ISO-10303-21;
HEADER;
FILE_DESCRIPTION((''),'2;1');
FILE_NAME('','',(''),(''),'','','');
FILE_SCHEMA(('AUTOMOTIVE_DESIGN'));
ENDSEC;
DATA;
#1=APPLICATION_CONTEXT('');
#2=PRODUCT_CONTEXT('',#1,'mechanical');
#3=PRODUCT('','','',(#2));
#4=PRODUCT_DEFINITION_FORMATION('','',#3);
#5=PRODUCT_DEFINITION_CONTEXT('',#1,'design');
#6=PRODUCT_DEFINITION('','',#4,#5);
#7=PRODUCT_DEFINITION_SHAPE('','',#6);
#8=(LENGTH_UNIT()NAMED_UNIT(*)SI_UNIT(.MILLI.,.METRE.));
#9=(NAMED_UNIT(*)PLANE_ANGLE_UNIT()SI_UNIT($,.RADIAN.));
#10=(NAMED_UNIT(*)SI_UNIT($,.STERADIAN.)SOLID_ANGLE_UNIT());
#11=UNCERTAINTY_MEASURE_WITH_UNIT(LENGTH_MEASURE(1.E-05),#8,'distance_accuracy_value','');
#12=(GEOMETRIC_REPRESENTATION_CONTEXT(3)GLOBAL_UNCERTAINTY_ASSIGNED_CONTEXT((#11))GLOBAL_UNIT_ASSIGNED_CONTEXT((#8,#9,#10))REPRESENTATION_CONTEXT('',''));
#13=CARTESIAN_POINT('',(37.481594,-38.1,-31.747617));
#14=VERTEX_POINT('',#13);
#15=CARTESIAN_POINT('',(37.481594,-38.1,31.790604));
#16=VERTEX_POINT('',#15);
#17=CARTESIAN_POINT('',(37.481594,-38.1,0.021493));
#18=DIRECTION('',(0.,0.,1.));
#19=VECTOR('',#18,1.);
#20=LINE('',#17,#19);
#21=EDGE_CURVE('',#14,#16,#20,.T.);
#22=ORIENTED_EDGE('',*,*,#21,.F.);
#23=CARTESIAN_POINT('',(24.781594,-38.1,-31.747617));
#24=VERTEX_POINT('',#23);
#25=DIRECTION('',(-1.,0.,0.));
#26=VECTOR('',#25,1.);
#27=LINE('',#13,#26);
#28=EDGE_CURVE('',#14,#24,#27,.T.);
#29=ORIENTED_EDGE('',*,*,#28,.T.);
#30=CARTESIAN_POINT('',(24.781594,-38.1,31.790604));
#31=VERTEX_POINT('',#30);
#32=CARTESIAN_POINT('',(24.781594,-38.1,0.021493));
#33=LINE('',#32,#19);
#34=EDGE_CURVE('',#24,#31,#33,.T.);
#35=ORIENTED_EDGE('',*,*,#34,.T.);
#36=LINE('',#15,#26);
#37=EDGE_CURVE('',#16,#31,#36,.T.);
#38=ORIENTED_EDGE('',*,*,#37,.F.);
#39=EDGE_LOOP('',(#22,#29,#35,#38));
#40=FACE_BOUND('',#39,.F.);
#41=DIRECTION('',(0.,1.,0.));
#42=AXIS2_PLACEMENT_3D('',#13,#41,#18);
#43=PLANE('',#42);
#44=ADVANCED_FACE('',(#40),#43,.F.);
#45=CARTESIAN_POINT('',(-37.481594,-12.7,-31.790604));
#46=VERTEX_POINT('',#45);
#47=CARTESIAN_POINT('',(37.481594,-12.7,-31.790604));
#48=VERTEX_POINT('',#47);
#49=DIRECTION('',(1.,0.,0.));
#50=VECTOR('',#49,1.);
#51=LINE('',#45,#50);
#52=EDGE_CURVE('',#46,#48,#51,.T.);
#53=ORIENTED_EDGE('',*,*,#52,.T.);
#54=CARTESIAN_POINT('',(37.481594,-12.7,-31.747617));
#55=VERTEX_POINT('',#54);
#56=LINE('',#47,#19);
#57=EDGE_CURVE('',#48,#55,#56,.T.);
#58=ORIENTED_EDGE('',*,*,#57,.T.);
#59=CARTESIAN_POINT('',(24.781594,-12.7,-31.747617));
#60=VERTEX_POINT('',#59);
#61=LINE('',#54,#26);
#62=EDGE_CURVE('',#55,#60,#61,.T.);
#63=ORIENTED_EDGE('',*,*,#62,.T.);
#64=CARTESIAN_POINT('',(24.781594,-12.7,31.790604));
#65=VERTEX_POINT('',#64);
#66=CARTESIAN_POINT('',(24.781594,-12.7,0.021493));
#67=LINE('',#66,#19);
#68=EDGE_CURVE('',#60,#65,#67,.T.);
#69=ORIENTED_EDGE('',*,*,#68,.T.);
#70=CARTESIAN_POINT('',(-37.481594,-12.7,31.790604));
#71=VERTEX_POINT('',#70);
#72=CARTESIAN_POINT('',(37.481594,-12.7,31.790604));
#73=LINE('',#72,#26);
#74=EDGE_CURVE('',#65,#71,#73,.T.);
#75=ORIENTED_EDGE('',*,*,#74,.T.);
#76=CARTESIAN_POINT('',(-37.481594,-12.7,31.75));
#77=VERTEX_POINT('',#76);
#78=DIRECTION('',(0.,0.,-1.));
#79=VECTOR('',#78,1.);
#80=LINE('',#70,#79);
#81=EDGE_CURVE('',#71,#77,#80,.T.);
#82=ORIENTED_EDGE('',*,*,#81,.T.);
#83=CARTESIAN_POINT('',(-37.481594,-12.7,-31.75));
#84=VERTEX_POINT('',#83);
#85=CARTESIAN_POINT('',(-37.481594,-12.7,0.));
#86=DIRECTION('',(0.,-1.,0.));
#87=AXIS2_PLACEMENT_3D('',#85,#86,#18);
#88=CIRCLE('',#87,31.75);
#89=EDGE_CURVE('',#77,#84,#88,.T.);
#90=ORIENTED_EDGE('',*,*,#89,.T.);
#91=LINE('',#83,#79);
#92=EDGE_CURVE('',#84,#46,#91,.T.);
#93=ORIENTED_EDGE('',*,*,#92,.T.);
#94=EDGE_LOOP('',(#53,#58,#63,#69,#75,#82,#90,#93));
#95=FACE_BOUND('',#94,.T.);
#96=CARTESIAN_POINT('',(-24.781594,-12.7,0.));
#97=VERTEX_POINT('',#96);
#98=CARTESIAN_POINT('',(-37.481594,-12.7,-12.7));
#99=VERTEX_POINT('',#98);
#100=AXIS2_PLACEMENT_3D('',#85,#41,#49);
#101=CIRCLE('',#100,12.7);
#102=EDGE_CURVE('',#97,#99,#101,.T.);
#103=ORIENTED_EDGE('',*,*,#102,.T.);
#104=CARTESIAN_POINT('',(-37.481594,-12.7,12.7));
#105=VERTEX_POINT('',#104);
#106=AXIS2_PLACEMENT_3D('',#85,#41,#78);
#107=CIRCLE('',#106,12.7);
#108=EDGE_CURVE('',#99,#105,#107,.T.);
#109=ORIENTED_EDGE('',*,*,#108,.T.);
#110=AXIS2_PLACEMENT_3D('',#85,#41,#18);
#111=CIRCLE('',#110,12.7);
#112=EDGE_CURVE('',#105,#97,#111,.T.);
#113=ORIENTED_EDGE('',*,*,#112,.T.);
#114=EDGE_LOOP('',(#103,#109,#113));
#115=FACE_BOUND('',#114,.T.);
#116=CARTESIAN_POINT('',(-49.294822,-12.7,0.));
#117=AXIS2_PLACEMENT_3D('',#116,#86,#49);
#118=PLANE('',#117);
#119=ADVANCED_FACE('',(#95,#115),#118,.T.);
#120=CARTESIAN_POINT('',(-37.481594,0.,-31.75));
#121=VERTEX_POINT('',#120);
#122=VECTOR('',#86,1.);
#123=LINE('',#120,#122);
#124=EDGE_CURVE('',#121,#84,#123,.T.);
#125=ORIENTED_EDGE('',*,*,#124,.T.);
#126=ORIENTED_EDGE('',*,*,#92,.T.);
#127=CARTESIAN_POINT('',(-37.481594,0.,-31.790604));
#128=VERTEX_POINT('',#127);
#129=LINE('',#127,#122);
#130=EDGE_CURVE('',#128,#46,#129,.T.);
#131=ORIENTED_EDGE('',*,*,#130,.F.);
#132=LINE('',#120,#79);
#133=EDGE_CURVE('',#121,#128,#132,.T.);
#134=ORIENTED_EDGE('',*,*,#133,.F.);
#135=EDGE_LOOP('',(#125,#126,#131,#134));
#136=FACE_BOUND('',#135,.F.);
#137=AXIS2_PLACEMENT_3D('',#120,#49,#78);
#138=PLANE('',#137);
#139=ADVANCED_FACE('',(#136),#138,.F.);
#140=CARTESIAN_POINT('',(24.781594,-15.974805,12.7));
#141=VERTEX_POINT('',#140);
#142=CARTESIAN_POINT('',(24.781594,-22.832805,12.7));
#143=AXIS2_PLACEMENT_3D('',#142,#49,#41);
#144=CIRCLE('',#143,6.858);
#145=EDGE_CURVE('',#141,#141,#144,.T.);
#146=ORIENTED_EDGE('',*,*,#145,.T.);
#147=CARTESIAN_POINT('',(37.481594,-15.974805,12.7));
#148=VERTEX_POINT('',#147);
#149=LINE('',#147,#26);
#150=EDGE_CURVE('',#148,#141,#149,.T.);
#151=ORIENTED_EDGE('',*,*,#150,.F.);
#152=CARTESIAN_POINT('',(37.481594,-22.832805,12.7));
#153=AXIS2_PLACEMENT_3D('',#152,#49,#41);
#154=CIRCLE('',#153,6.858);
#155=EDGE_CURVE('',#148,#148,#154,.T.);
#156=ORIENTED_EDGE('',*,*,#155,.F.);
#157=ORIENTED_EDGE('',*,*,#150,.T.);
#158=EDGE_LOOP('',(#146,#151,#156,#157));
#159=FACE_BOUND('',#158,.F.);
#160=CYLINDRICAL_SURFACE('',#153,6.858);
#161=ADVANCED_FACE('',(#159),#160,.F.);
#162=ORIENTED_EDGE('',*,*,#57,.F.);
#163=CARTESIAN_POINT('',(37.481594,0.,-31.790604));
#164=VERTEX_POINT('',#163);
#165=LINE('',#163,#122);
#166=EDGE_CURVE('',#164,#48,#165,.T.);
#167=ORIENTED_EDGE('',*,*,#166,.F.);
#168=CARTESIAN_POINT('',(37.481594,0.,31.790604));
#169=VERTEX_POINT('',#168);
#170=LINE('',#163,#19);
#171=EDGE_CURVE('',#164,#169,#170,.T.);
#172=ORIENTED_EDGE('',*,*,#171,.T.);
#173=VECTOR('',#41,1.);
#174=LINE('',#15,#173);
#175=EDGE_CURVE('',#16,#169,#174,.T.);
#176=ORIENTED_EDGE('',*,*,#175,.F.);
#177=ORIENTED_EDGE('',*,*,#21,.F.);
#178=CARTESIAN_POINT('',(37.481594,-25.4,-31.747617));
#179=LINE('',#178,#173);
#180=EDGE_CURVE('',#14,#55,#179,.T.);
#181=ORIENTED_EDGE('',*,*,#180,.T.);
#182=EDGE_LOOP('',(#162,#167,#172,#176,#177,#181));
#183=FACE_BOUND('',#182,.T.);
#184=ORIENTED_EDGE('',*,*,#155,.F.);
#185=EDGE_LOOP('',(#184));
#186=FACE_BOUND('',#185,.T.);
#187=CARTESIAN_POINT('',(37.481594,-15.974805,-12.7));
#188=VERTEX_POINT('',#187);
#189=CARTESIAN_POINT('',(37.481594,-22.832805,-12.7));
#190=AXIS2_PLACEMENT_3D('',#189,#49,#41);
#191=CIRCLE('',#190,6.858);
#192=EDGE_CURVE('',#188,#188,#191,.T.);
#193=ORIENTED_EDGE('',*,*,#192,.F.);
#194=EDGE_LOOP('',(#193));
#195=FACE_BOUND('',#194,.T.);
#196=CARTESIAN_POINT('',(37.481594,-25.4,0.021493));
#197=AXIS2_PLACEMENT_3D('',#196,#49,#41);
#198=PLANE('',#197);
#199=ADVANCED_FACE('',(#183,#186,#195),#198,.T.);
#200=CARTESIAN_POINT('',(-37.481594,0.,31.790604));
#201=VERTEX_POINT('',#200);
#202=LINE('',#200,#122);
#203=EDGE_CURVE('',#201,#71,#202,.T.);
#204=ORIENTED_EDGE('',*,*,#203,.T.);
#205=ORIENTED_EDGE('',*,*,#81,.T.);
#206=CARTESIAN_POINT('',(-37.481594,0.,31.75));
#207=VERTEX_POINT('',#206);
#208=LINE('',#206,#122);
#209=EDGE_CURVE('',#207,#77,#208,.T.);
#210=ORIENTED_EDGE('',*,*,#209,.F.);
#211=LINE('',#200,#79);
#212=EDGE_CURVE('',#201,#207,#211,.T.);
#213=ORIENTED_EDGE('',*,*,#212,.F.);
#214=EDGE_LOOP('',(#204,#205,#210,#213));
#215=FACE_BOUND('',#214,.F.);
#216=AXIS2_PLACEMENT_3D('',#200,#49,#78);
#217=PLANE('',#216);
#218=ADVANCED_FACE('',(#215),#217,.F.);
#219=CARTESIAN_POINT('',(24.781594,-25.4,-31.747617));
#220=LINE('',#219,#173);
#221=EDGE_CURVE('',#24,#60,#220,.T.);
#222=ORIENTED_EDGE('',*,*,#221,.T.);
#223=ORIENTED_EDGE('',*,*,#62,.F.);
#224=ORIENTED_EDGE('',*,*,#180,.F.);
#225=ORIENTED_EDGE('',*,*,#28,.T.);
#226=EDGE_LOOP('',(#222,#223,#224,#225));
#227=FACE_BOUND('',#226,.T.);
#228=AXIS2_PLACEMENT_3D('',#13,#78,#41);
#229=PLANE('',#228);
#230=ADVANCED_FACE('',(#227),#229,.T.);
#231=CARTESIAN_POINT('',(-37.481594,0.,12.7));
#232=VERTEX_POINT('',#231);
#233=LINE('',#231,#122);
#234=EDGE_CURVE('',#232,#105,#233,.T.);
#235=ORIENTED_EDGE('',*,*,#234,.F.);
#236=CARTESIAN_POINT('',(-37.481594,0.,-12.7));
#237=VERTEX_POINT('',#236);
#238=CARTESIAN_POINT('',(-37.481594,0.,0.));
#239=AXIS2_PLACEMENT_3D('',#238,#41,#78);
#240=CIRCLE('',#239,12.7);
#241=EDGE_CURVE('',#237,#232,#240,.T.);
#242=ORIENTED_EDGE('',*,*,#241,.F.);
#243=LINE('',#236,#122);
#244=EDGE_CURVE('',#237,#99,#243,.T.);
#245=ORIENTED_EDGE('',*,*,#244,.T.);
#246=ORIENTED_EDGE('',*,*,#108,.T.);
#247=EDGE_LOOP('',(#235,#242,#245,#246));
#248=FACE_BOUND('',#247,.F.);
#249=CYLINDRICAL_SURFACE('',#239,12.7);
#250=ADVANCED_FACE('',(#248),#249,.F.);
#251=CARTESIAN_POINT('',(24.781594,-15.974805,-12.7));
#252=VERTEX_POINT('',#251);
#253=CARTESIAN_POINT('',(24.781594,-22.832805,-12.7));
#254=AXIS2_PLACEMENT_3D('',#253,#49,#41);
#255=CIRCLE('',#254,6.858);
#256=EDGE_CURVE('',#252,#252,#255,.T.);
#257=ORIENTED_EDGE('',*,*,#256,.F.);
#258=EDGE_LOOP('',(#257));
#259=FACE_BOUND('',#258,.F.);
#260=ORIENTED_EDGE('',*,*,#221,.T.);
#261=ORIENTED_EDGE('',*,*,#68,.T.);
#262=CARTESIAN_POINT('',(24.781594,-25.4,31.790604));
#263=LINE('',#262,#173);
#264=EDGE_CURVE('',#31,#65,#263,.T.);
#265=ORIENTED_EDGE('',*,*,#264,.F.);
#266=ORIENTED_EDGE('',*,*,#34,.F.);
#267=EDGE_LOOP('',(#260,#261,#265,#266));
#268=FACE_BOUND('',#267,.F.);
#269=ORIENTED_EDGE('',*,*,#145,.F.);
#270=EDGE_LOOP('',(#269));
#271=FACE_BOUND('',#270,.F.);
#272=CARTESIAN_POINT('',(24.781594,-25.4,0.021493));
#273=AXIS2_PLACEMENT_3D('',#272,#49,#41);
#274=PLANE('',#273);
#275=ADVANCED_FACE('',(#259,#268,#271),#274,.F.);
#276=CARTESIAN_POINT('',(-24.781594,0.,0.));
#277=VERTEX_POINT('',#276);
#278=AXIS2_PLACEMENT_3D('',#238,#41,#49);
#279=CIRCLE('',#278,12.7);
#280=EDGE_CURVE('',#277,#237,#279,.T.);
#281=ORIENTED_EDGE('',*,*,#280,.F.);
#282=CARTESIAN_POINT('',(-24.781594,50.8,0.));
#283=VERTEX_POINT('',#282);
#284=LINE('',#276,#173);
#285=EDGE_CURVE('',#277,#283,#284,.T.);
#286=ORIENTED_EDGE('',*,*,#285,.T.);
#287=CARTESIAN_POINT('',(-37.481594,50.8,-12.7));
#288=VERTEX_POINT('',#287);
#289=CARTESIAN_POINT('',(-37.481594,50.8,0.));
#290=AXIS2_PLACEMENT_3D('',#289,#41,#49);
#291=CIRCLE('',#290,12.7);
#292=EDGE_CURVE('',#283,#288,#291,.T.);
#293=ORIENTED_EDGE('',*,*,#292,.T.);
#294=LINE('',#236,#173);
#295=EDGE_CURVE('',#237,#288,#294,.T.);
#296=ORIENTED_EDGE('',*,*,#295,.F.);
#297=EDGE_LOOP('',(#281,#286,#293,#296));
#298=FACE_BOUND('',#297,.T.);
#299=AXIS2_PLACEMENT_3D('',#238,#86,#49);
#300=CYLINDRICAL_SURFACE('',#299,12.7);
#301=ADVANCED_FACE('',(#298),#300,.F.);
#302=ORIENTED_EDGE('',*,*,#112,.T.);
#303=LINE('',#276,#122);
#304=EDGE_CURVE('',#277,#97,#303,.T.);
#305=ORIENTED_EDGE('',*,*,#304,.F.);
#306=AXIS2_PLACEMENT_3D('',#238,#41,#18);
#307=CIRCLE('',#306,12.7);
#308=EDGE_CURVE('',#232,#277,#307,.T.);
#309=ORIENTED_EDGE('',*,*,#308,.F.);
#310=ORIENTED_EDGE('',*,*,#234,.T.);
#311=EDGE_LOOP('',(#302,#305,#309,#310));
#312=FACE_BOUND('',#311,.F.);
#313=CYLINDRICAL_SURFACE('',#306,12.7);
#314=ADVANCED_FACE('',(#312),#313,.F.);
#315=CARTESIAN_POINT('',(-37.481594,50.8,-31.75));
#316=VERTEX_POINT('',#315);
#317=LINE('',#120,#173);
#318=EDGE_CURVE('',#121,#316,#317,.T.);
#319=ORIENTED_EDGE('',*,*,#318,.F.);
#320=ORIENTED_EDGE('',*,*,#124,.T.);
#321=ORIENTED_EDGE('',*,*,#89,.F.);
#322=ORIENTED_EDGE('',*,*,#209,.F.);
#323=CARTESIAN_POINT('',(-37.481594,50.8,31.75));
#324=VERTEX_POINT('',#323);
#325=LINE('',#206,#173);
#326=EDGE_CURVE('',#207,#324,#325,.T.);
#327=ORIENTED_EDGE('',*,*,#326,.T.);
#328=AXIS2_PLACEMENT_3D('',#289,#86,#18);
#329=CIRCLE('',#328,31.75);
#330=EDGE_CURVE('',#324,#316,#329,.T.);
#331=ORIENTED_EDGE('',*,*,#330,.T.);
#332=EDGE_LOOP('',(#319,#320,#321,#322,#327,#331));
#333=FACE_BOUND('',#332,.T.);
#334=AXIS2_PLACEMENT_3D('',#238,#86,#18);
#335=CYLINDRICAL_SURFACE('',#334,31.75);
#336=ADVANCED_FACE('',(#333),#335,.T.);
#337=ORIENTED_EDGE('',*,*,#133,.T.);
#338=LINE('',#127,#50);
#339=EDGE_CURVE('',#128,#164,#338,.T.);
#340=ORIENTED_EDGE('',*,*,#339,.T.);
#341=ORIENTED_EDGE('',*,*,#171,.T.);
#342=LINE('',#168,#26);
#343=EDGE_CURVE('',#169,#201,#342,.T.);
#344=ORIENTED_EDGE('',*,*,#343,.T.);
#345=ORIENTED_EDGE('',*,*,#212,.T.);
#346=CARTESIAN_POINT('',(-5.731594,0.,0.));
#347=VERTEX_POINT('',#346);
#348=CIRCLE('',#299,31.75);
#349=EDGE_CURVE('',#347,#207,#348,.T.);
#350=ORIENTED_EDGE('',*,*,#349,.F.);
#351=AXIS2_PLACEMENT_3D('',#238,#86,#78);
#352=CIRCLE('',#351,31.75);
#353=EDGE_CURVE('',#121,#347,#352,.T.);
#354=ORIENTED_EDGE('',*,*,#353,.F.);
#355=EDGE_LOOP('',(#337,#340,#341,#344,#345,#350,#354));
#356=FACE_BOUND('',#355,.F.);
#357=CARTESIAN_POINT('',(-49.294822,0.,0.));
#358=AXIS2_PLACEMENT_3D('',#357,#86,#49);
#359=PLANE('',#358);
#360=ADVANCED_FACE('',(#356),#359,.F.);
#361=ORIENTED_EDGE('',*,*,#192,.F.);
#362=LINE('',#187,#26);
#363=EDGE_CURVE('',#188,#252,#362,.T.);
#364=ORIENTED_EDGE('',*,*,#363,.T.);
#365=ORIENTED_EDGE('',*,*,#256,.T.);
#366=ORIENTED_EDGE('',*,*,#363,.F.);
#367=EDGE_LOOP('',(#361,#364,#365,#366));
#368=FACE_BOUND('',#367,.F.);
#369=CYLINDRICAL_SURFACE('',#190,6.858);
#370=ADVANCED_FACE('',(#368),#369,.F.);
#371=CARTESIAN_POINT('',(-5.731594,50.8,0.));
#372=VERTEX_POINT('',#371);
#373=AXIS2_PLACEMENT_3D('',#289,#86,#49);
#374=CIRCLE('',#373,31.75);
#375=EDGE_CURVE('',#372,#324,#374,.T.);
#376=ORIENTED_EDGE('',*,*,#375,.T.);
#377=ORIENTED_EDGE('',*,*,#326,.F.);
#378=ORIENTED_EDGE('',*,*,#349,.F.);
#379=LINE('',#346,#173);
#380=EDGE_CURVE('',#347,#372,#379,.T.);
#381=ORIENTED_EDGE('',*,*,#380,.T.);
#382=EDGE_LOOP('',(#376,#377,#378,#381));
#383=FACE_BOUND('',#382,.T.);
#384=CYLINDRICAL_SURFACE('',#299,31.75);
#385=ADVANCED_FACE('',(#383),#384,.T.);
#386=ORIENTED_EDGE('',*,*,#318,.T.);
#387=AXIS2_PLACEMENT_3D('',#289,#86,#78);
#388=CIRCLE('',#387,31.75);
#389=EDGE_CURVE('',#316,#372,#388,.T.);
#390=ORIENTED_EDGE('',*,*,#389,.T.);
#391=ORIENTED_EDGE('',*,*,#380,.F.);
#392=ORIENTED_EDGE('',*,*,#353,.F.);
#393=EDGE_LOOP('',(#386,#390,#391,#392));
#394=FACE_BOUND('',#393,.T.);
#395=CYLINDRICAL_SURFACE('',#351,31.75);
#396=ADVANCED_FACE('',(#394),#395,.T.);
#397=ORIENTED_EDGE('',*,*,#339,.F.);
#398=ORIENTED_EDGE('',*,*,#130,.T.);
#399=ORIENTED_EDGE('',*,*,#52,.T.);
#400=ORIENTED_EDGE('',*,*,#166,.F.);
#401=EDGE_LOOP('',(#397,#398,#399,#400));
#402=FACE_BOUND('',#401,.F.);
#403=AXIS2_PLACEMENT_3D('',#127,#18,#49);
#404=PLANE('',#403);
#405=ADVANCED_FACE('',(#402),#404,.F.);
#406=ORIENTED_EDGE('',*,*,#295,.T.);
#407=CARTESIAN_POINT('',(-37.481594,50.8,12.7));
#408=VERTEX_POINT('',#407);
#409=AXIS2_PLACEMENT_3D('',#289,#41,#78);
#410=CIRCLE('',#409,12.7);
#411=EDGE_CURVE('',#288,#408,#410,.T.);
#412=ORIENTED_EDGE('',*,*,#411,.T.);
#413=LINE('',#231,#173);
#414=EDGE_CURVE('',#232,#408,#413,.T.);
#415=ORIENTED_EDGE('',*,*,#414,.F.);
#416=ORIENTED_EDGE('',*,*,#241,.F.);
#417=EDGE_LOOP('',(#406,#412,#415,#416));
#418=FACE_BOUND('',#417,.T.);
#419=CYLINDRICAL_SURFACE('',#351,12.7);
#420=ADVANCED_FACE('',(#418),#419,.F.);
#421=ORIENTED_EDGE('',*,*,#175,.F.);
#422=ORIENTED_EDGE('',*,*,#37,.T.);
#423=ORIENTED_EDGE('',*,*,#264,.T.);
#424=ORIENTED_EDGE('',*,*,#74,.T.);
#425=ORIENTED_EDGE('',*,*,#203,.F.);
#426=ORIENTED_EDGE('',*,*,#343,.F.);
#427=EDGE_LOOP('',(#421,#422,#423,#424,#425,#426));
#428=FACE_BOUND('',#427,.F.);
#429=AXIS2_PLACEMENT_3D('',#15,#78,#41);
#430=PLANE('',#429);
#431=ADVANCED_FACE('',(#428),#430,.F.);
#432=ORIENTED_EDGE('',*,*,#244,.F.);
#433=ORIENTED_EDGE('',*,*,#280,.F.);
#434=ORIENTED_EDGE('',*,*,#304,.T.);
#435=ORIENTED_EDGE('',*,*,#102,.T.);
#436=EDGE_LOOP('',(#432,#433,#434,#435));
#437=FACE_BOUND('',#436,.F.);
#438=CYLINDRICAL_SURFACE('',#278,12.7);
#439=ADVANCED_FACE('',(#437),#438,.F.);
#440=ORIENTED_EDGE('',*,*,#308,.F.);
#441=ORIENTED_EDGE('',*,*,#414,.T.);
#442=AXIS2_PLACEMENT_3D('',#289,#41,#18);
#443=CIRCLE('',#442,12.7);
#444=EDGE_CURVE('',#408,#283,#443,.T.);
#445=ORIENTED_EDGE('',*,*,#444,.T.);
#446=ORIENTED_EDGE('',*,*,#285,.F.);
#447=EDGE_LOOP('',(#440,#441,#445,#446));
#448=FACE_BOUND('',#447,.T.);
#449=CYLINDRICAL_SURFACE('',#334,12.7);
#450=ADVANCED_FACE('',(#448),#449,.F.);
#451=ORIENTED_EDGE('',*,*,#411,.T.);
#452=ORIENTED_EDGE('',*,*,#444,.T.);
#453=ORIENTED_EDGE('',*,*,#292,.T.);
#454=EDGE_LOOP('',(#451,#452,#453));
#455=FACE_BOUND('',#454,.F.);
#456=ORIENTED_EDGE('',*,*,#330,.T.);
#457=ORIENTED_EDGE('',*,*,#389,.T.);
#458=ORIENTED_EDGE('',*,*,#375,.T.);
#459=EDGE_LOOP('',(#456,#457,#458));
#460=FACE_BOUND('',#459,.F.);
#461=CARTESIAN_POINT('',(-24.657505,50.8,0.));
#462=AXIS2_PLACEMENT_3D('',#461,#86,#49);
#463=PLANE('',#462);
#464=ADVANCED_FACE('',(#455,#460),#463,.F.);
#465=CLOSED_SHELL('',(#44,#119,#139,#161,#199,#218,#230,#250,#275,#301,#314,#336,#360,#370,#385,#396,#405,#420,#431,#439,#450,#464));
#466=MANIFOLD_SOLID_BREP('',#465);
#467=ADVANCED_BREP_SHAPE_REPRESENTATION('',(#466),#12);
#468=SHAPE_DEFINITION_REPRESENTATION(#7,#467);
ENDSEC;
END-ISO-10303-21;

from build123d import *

# Parameters (mm, degrees)
F1_DEPTH = 12.7
F2_DEPTH = 50.8
F3_W     = 25.4
F3_H     = 63.538220574
F3_R     = 6.858
F4_DEPTH = 12.7


with BuildPart() as f1:
    # F0 (on Front) → F1 (new body)
    with BuildSketch(Plane.XZ):
        with BuildLine():
            ThreePointArc((-37.4815943599, 31.75), (-69.2315943599, 0), (-37.4815943599, -31.75))
            Line((-37.4815943599, -31.75), (-37.4815943599, -12.7))
            ThreePointArc((-37.4815943599, -12.7), (-50.1815943599, 0), (-37.4815943599, 12.7))
            Line((-37.4815943599, 12.7), (-37.4815943599, 31.75))
        make_face()
        with BuildLine():
            Line((-37.4815943599, -12.7), (-37.4815943599, -31.75))
            ThreePointArc((-37.4815943599, -31.75), (-15.0309540572, -22.4506403027), (-5.7315943599, 0))
            ThreePointArc((-5.7315943599, 0), (-15.0309540572, 22.4506403027), (-37.4815943599, 31.75))
            Line((-37.4815943599, 31.75), (-37.4815943599, 12.7))
            ThreePointArc((-37.4815943599, 12.7), (-28.5013382388, 8.9802561211), (-24.7815943599, 0))
            ThreePointArc((-24.7815943599, 0), (-28.5013382388, -8.9802561211), (-37.4815943599, -12.7))
        make_face()
        with BuildLine():
            Line((-37.4815943599, -31.75), (-37.4815943599, -31.7906037465))
            Line((-37.4815943599, -31.7906037465), (37.4815943599, -31.7906037465))
            Line((37.4815943599, -31.7906037465), (37.4815943599, 31.7906037465))
            Line((37.4815943599, 31.7906037465), (-37.4815943599, 31.7906037465))
            Line((-37.4815943599, 31.7906037465), (-37.4815943599, 31.75))
            ThreePointArc((-37.4815943599, 31.75), (-15.0309540572, 22.4506403027), (-5.7315943599, 0))
            ThreePointArc((-5.7315943599, 0), (-15.0309540572, -22.4506403027), (-37.4815943599, -31.75))
        make_face()
    extrude(amount=F1_DEPTH)

    # F0 (on Front) → F2 (join)
    with BuildSketch(Plane.XZ):
        with BuildLine():
            Line((-37.4815943599, -12.7), (-37.4815943599, -31.75))
            ThreePointArc((-37.4815943599, -31.75), (-15.0309540572, -22.4506403027), (-5.7315943599, 0))
            ThreePointArc((-5.7315943599, 0), (-15.0309540572, 22.4506403027), (-37.4815943599, 31.75))
            Line((-37.4815943599, 31.75), (-37.4815943599, 12.7))
            ThreePointArc((-37.4815943599, 12.7), (-28.5013382388, 8.9802561211), (-24.7815943599, 0))
            ThreePointArc((-24.7815943599, 0), (-28.5013382388, -8.9802561211), (-37.4815943599, -12.7))
        make_face()
        with BuildLine():
            ThreePointArc((-37.4815943599, 31.75), (-69.2315943599, 0), (-37.4815943599, -31.75))
            Line((-37.4815943599, -31.75), (-37.4815943599, -12.7))
            ThreePointArc((-37.4815943599, -12.7), (-50.1815943599, 0), (-37.4815943599, 12.7))
            Line((-37.4815943599, 12.7), (-37.4815943599, 31.75))
        make_face()
    extrude(amount=-F2_DEPTH)

    # F3 (on face) → F4 (join)
    with BuildSketch(Plane.YZ.offset(37.4815943599)):
        with Locations((-25.4, 0.0214934595)):
            Rectangle(F3_W, F3_H)
        with Locations((-22.8328048199, -12.7)):
            Circle(F3_R, mode=Mode.SUBTRACT)
        with Locations((-22.8328048199, 12.7)):
            Circle(F3_R, mode=Mode.SUBTRACT)
    extrude(amount=-F4_DEPTH)


solid = f1.part
